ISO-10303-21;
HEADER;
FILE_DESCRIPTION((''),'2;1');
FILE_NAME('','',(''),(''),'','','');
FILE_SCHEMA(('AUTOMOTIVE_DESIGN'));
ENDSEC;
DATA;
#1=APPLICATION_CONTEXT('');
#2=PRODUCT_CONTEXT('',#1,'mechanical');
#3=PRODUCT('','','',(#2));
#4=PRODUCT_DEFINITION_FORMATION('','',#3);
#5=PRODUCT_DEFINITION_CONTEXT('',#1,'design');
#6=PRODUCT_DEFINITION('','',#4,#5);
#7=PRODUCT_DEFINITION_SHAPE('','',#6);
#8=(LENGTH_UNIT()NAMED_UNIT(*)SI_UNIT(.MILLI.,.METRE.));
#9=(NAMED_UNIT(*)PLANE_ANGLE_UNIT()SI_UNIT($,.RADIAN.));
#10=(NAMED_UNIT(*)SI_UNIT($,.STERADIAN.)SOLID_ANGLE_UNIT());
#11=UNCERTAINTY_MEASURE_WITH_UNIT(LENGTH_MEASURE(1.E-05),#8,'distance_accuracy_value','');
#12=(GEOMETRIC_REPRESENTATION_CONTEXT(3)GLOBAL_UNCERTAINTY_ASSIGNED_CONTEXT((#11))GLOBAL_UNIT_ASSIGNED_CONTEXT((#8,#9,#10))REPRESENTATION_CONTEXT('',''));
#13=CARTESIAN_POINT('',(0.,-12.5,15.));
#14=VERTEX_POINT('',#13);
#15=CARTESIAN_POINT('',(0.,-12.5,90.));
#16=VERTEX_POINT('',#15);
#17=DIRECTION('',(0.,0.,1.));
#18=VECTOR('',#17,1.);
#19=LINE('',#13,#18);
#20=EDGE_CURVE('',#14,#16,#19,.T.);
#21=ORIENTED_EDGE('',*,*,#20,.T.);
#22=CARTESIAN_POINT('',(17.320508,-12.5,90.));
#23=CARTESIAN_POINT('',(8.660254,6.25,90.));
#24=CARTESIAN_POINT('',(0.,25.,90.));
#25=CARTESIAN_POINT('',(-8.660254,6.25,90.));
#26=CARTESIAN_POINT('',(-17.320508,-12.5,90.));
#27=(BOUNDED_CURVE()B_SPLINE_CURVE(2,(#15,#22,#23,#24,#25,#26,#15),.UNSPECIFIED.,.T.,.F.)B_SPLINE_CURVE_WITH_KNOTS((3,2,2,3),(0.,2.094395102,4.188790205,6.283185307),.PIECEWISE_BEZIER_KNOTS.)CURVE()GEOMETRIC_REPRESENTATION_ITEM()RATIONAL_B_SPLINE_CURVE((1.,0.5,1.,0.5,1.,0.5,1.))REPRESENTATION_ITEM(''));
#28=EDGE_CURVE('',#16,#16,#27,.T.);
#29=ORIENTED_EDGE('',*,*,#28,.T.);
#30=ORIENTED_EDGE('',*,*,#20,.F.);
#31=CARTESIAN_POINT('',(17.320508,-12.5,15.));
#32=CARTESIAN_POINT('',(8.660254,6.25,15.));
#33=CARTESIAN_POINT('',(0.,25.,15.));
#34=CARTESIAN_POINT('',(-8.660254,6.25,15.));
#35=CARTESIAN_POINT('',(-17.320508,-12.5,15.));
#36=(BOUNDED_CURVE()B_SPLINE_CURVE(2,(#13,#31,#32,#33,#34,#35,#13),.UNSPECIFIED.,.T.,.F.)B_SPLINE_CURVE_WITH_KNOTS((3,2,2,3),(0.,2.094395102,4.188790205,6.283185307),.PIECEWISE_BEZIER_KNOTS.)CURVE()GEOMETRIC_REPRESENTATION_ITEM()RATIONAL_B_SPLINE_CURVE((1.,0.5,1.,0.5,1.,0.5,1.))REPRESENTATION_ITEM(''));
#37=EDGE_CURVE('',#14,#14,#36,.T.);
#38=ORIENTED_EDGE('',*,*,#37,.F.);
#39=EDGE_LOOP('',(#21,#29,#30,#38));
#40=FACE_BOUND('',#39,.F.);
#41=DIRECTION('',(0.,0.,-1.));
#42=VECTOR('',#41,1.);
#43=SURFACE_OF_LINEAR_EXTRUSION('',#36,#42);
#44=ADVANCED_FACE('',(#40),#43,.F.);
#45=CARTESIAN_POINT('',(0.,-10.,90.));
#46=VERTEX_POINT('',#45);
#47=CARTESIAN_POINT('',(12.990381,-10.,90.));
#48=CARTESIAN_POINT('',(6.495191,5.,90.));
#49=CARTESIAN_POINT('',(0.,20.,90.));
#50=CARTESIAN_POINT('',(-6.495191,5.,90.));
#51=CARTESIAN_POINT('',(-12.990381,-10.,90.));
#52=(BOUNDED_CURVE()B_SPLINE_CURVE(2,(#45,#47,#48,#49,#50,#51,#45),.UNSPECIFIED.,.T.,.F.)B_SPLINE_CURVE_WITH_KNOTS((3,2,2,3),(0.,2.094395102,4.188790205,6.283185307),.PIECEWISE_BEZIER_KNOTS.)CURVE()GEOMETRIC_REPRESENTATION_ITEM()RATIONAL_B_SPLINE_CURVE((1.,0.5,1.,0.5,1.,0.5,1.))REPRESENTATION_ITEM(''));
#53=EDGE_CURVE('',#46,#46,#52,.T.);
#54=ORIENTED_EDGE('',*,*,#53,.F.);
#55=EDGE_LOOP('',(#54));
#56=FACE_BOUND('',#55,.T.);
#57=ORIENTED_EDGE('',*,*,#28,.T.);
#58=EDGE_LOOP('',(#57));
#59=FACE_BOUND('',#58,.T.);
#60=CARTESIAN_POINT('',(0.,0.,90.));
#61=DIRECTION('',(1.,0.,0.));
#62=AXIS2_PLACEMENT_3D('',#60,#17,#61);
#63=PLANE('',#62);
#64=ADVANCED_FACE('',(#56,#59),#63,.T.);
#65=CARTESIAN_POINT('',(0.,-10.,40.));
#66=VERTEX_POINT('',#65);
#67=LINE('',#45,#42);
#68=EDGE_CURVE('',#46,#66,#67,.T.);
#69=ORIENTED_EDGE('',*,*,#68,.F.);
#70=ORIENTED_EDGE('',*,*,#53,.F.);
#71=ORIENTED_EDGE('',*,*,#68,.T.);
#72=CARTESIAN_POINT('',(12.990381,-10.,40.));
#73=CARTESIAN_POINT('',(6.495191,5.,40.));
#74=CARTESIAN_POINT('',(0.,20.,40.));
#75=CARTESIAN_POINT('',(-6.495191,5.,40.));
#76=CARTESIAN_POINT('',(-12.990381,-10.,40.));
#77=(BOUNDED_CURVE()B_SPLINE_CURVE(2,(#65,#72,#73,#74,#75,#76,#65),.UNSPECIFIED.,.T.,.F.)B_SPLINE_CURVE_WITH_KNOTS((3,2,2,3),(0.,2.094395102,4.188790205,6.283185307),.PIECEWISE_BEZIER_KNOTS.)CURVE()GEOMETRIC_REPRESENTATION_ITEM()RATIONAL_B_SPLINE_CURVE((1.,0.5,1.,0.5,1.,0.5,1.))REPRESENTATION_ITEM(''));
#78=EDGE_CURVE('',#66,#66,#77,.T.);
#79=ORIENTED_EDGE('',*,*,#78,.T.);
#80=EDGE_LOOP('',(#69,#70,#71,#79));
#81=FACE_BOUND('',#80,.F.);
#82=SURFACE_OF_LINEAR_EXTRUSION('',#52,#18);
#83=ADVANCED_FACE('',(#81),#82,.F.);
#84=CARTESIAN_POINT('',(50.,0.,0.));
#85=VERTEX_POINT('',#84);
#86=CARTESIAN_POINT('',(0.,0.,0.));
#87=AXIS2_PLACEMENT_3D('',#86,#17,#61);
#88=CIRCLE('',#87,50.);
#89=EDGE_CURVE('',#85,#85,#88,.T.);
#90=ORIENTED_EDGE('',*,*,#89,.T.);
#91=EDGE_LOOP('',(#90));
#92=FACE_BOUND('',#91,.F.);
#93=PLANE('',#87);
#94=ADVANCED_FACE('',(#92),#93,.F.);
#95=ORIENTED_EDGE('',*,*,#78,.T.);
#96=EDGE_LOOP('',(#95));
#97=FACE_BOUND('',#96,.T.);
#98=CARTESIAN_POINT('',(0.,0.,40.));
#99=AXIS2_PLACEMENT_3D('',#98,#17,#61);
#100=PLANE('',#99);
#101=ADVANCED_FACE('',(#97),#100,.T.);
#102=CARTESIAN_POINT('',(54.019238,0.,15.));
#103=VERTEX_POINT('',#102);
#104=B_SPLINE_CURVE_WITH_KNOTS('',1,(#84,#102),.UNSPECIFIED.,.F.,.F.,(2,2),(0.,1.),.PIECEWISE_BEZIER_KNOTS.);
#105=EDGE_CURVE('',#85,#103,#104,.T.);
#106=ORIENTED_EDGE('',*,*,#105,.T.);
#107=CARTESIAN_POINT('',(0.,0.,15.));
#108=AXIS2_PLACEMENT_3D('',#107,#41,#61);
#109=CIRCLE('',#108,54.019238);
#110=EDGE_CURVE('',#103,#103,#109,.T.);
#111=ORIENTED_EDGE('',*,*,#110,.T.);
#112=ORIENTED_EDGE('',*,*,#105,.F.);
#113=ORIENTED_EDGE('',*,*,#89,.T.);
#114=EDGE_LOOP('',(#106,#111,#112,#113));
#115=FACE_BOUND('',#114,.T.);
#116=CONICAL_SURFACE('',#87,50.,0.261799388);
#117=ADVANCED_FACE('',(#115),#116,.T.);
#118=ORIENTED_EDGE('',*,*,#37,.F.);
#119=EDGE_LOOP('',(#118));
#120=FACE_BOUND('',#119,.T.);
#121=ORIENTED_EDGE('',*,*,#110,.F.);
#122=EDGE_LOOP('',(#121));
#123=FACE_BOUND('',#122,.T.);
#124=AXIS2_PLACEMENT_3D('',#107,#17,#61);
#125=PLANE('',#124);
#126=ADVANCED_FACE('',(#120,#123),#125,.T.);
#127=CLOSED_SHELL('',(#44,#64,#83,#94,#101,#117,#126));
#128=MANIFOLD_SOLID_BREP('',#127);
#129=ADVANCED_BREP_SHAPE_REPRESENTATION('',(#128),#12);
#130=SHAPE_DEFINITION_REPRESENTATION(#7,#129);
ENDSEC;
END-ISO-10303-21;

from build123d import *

# Parameters (mm, degrees)
F0_R     = 50
F1_DEPTH = 15
F1_TAPER = -15
F3_DEPTH = 75
F5_DEPTH = 50


with BuildPart() as f1:
    # F0 (on Top) → F1 (new body)
    with BuildSketch(Plane.XY):
        Circle(F0_R)
    extrude(amount=F1_DEPTH, taper=F1_TAPER)

    # F2 (on face) → F3 (join)
    with BuildSketch(Plane.XY.offset(15)):
        with BuildLine():
            add(Edge.make_bspline(
                [(0, -12.5), (17.3205080757, -12.5), (8.6602540378, 6.25), (0, 25), (-8.6602540378, 6.25), (-17.3205080757, -12.5), (0, -12.5)],
                knots=[0, 0, 0, 2.0943951024, 2.0943951024, 4.1887902048, 4.1887902048, 6.2831853072, 6.2831853072, 6.2831853072], degree=2, weights=[1, 0.5, 1, 0.5, 1, 0.5, 1]))
        make_face()
    extrude(amount=F3_DEPTH)

    # F4 (on face) → F5 (cut)
    with BuildSketch(Plane.XY.offset(90)):
        with BuildLine():
            add(Edge.make_bspline(
                [(0, -10), (12.9903810568, -10), (6.4951905284, 5), (0, 20), (-6.4951905284, 5), (-12.9903810568, -10), (0, -10)],
                knots=[0, 0, 0, 2.0943951024, 2.0943951024, 4.1887902048, 4.1887902048, 6.2831853072, 6.2831853072, 6.2831853072], degree=2, weights=[1, 0.5, 1, 0.5, 1, 0.5, 1]))
        make_face()
    extrude(amount=-F5_DEPTH, mode=Mode.SUBTRACT)


solid = f1.part
